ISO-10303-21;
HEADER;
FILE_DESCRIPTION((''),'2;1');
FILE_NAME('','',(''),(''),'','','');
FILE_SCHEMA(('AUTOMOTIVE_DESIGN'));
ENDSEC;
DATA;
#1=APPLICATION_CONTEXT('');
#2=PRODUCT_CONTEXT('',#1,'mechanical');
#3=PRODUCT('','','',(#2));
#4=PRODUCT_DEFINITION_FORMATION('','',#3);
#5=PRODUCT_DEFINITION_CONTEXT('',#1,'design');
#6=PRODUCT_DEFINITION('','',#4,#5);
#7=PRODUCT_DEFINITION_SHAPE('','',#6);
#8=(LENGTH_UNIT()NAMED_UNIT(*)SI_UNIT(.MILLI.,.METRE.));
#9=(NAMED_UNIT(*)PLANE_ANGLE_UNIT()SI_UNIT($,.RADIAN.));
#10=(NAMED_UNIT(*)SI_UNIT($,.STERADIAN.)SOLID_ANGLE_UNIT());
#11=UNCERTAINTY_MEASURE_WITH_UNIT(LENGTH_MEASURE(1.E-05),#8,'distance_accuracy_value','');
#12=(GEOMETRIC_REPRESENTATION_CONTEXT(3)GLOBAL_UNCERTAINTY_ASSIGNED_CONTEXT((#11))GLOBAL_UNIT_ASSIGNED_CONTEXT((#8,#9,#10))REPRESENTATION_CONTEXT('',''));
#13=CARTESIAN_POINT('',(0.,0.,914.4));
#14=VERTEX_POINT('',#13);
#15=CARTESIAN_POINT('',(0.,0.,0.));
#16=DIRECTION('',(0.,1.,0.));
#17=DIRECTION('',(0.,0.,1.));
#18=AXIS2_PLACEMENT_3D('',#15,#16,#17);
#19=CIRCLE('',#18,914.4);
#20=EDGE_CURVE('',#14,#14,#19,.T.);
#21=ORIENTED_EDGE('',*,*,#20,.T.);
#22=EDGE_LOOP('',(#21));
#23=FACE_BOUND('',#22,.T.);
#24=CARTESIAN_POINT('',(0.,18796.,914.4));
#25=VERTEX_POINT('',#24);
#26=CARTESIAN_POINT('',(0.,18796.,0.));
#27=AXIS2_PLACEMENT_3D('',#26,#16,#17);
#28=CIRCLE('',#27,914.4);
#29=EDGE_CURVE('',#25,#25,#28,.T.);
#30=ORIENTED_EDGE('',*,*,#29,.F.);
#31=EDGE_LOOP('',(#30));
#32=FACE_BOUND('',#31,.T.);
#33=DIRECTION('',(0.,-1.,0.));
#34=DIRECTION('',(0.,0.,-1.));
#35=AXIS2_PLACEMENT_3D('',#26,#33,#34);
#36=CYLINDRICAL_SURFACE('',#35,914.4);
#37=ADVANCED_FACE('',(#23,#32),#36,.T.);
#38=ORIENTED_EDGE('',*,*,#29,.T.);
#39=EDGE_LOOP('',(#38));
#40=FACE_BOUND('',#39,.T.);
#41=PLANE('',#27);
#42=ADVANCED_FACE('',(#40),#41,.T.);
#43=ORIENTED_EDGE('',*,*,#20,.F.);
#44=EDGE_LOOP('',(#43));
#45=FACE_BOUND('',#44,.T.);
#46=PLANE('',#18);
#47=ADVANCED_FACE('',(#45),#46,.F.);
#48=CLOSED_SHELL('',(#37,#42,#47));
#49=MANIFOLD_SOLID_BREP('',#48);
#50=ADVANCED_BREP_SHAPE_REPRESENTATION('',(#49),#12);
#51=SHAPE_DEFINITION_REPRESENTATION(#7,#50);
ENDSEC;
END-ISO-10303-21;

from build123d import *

# Parameters (mm, degrees)
SKETCH1_R           = 914.4
BOSS_EXTRUDE1_DEPTH = 18796


with BuildPart() as part:
    # Sketch1 → Boss-Extrude1 (new body)
    with BuildSketch(Plane(origin=(0, 0, 0), x_dir=(1, 0, 0), z_dir=(0, 1, 0))):
        Circle(SKETCH1_R)
    extrude(amount=BOSS_EXTRUDE1_DEPTH)


solid = part.part
